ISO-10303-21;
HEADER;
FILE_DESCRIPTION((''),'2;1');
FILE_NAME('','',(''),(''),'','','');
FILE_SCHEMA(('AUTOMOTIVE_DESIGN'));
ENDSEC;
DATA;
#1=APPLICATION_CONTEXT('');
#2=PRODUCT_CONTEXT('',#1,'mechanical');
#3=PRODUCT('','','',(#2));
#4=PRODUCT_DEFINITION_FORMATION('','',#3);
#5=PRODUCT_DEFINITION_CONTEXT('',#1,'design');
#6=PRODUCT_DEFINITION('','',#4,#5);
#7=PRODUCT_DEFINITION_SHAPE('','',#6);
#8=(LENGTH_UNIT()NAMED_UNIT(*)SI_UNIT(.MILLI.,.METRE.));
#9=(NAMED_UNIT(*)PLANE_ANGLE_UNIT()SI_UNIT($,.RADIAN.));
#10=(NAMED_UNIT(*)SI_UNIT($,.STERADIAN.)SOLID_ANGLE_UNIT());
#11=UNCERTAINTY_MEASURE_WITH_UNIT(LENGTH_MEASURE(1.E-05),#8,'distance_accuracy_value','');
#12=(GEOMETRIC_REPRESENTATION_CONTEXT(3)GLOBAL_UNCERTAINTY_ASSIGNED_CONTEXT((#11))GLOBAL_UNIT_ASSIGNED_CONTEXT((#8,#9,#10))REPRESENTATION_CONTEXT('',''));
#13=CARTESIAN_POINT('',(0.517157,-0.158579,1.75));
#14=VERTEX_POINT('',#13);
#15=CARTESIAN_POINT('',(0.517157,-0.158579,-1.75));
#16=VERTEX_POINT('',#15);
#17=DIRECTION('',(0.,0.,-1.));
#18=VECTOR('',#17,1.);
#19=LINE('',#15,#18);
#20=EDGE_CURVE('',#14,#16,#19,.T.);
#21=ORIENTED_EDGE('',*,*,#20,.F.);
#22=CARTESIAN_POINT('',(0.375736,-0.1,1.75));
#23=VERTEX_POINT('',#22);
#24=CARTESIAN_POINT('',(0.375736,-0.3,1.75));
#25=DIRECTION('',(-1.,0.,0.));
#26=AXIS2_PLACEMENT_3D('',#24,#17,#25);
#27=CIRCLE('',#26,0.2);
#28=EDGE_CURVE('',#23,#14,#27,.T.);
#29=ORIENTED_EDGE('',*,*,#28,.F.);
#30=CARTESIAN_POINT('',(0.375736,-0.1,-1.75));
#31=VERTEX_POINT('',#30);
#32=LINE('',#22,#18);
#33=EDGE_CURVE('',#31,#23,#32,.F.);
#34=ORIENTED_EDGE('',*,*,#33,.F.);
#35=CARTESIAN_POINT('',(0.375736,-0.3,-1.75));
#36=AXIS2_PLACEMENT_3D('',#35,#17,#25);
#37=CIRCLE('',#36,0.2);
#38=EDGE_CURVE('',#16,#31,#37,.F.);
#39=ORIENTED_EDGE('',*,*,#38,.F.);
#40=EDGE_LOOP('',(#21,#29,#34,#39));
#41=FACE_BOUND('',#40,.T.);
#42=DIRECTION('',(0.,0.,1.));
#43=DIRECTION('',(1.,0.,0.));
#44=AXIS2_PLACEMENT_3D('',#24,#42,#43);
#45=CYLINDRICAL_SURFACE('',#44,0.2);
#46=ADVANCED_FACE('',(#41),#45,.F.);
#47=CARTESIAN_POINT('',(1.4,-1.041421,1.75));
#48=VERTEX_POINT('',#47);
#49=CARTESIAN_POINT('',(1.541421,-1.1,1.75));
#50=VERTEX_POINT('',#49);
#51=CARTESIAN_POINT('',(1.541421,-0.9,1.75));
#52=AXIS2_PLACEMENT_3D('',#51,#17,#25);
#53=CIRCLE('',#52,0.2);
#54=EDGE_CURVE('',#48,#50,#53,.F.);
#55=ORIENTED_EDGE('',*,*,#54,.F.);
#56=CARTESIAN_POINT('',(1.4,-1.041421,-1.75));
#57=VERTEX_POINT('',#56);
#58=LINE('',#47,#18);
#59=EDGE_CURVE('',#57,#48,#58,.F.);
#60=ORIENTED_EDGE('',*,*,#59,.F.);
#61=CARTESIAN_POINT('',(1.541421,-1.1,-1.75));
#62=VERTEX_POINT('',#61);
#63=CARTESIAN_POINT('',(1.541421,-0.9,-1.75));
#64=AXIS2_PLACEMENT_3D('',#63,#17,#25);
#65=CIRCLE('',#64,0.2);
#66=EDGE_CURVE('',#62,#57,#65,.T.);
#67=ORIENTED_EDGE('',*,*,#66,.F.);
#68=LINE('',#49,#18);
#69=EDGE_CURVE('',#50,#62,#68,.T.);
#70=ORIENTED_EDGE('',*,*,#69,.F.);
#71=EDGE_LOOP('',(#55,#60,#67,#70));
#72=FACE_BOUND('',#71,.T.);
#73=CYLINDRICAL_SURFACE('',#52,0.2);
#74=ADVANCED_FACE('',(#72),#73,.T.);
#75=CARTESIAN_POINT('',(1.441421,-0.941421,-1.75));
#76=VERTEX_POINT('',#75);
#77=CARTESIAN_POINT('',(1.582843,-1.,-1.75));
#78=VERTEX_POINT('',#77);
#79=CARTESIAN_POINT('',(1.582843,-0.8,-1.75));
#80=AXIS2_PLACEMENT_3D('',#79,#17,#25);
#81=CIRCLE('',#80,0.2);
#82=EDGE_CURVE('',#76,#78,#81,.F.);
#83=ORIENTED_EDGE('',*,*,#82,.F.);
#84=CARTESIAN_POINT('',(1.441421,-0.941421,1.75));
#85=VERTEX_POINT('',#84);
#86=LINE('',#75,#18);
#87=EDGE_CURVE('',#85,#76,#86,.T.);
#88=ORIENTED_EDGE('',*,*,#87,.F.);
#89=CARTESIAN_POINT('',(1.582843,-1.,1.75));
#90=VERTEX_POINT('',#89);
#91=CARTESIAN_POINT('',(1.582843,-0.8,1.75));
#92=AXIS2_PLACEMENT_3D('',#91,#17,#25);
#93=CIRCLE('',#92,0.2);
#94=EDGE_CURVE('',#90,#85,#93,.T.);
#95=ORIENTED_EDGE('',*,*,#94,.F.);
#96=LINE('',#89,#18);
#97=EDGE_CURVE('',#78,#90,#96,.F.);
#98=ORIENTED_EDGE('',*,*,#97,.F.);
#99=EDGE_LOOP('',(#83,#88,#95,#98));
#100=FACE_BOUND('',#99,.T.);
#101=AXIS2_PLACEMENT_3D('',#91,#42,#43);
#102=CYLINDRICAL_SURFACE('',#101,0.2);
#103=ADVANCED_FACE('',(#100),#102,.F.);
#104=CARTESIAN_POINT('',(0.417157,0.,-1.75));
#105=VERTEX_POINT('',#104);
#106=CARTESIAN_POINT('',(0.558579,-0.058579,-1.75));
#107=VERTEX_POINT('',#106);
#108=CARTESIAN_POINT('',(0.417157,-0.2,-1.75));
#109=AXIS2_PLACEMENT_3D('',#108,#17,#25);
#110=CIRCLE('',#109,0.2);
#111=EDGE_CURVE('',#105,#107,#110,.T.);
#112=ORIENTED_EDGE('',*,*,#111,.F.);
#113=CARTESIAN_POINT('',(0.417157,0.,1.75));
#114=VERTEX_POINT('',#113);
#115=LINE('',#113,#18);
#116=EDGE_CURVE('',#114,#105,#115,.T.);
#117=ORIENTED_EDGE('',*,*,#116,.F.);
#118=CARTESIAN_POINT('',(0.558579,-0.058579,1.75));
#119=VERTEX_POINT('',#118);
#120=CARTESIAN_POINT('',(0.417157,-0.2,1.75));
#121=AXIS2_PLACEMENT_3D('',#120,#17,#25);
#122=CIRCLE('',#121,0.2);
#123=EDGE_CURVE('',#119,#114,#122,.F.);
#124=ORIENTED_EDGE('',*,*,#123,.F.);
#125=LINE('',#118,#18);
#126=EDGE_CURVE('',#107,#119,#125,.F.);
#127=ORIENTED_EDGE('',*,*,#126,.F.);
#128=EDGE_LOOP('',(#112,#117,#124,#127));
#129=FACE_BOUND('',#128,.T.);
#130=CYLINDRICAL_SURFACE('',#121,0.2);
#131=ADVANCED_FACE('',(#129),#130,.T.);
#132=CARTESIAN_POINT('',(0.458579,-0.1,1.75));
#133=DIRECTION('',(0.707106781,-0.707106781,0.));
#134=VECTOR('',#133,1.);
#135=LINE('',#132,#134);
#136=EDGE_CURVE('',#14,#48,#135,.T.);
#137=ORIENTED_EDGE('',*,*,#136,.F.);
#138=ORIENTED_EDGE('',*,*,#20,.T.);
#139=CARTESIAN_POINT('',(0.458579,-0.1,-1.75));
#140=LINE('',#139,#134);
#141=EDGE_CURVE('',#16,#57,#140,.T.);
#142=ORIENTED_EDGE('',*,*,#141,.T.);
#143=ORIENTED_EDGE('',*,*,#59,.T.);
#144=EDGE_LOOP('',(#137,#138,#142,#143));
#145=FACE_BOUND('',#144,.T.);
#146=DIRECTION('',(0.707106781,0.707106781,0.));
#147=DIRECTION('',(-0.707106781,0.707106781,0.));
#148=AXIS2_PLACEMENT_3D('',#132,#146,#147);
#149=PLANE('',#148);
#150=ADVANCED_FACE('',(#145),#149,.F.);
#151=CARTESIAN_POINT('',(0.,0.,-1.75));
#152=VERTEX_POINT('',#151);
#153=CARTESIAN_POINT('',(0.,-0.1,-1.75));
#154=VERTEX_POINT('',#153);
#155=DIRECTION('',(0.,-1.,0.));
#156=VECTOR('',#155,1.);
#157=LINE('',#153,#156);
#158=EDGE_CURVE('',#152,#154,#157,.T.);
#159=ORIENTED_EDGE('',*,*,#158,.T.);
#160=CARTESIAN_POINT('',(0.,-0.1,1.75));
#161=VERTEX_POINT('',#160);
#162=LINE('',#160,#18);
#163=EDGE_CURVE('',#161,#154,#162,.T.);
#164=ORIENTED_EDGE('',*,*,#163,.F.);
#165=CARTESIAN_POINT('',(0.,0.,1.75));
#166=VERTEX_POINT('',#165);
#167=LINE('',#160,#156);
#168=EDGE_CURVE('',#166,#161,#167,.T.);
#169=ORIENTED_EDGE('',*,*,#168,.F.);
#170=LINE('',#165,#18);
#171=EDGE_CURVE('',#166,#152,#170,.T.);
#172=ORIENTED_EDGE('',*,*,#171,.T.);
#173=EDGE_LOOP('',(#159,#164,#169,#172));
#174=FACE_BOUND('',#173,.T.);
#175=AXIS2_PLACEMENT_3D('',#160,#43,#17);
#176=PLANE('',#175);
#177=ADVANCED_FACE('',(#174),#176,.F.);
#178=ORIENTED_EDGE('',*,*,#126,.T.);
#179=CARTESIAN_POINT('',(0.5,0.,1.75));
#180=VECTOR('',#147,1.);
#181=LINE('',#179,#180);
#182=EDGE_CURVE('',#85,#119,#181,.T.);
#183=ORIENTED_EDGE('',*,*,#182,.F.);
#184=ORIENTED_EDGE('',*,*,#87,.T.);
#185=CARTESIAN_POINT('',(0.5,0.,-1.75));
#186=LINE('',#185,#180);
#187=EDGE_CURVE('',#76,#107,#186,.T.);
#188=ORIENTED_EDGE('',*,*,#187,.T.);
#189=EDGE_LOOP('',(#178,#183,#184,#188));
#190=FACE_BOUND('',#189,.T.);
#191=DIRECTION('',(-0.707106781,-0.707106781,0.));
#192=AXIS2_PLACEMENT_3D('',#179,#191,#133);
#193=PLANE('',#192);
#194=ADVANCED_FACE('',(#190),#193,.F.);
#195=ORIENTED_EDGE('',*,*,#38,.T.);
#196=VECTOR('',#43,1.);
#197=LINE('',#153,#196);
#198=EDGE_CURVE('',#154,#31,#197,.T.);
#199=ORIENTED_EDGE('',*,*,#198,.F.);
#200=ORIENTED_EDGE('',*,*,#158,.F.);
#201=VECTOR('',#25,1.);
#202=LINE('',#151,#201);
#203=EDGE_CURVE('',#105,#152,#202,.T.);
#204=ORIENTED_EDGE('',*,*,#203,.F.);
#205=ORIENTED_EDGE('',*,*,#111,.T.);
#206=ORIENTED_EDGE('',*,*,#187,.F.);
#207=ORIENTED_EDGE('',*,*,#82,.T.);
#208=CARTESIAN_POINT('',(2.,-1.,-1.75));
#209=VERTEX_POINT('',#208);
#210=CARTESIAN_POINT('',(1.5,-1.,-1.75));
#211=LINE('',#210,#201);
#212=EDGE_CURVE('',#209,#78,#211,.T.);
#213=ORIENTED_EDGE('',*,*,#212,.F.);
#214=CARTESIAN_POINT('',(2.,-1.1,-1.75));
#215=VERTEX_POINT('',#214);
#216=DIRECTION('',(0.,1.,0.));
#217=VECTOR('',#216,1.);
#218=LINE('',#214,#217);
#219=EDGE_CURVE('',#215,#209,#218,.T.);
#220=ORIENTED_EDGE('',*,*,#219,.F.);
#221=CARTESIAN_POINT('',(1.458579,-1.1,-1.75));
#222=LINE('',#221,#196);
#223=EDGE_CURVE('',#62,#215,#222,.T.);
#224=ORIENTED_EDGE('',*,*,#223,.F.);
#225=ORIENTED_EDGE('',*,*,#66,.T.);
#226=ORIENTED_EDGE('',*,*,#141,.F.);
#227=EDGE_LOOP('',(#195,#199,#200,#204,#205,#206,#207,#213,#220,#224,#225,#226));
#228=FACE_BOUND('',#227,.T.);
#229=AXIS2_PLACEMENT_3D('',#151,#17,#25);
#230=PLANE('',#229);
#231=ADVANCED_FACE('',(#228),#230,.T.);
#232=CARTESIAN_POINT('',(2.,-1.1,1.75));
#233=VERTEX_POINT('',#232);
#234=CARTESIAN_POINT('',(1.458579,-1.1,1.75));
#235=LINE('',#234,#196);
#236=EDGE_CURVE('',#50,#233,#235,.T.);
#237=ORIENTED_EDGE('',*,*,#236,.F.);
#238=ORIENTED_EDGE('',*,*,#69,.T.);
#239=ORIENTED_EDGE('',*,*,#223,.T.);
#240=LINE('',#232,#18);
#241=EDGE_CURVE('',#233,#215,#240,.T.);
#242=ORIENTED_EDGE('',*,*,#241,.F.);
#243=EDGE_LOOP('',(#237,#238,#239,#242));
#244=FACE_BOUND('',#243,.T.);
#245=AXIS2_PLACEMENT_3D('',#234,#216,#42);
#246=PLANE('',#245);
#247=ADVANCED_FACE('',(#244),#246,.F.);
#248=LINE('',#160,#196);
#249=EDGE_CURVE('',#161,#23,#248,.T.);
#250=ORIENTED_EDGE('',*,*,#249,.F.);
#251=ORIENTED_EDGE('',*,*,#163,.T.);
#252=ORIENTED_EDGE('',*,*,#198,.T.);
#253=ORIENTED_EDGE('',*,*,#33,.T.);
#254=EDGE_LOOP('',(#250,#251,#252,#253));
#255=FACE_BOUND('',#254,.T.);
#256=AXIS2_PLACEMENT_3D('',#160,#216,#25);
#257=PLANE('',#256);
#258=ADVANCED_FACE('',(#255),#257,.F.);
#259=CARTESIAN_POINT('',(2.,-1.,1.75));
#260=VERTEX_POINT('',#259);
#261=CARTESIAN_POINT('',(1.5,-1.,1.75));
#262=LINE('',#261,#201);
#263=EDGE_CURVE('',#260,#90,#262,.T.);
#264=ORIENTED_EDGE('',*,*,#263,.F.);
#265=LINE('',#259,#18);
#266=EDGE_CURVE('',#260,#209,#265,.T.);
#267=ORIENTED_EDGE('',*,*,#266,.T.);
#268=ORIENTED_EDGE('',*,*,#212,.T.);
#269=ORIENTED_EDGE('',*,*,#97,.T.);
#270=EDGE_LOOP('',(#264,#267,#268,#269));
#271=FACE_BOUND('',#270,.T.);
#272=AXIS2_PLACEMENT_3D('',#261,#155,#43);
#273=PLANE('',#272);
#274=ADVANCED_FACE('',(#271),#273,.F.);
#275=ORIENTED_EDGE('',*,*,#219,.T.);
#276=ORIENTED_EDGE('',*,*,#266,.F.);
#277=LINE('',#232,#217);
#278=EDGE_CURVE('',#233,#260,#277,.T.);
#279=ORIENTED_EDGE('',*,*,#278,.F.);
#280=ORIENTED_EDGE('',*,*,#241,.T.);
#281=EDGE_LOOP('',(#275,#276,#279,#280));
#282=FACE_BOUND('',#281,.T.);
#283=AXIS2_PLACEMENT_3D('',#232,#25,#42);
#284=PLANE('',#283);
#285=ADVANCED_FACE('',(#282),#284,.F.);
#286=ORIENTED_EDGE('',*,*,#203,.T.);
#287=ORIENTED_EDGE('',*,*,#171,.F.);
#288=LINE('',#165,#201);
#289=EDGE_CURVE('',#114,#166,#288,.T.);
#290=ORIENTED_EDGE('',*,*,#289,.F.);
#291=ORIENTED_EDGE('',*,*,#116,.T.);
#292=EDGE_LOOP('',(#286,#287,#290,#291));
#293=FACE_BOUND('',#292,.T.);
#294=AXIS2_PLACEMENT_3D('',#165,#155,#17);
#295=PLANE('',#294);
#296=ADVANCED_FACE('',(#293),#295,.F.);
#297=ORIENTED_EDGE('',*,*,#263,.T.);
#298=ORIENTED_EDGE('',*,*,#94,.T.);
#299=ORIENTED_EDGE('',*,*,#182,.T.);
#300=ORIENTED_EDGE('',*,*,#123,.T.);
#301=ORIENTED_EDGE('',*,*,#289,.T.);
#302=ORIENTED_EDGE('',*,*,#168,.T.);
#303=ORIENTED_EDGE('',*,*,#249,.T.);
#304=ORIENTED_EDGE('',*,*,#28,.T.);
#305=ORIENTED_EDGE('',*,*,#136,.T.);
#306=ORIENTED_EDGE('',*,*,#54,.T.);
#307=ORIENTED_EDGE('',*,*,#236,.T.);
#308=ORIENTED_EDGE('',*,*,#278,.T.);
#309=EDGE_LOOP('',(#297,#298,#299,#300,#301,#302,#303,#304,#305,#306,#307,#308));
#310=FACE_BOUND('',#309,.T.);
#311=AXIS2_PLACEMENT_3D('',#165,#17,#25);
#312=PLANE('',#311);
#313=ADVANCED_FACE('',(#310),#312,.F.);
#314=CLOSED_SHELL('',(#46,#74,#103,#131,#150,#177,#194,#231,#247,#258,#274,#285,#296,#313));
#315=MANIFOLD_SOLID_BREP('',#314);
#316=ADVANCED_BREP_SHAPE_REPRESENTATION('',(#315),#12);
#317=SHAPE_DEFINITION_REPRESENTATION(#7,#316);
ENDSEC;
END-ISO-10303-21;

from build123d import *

# Parameters (mm, degrees)
BOSS_EXTRUDE1_DEPTH = 1.75
FILLET4_R           = 0.2


with BuildPart() as part:
    # Sketch4 → Boss-Extrude1 (new body, symmetric)
    with BuildSketch(Plane.XY):
        Polygon((0, 0), (0.5, 0), (1.5, -1), (2, -1), (2, -1.1), (1.458578644, -1.1), (0.458578644, -0.1), (0, -0.1), align=None)
    extrude(amount=BOSS_EXTRUDE1_DEPTH, both=True)

    # Fillet4
    fillet4_edges = [part.edges().sort_by_distance(p)[0] for p in [
        (0.5, 0, 0),
        (1.5, -1, 0),
        (1.458578644, -1.1, 0),
        (0.458578644, -0.1, 0),
    ]]
    fillet(fillet4_edges, radius=FILLET4_R)


solid = part.part
